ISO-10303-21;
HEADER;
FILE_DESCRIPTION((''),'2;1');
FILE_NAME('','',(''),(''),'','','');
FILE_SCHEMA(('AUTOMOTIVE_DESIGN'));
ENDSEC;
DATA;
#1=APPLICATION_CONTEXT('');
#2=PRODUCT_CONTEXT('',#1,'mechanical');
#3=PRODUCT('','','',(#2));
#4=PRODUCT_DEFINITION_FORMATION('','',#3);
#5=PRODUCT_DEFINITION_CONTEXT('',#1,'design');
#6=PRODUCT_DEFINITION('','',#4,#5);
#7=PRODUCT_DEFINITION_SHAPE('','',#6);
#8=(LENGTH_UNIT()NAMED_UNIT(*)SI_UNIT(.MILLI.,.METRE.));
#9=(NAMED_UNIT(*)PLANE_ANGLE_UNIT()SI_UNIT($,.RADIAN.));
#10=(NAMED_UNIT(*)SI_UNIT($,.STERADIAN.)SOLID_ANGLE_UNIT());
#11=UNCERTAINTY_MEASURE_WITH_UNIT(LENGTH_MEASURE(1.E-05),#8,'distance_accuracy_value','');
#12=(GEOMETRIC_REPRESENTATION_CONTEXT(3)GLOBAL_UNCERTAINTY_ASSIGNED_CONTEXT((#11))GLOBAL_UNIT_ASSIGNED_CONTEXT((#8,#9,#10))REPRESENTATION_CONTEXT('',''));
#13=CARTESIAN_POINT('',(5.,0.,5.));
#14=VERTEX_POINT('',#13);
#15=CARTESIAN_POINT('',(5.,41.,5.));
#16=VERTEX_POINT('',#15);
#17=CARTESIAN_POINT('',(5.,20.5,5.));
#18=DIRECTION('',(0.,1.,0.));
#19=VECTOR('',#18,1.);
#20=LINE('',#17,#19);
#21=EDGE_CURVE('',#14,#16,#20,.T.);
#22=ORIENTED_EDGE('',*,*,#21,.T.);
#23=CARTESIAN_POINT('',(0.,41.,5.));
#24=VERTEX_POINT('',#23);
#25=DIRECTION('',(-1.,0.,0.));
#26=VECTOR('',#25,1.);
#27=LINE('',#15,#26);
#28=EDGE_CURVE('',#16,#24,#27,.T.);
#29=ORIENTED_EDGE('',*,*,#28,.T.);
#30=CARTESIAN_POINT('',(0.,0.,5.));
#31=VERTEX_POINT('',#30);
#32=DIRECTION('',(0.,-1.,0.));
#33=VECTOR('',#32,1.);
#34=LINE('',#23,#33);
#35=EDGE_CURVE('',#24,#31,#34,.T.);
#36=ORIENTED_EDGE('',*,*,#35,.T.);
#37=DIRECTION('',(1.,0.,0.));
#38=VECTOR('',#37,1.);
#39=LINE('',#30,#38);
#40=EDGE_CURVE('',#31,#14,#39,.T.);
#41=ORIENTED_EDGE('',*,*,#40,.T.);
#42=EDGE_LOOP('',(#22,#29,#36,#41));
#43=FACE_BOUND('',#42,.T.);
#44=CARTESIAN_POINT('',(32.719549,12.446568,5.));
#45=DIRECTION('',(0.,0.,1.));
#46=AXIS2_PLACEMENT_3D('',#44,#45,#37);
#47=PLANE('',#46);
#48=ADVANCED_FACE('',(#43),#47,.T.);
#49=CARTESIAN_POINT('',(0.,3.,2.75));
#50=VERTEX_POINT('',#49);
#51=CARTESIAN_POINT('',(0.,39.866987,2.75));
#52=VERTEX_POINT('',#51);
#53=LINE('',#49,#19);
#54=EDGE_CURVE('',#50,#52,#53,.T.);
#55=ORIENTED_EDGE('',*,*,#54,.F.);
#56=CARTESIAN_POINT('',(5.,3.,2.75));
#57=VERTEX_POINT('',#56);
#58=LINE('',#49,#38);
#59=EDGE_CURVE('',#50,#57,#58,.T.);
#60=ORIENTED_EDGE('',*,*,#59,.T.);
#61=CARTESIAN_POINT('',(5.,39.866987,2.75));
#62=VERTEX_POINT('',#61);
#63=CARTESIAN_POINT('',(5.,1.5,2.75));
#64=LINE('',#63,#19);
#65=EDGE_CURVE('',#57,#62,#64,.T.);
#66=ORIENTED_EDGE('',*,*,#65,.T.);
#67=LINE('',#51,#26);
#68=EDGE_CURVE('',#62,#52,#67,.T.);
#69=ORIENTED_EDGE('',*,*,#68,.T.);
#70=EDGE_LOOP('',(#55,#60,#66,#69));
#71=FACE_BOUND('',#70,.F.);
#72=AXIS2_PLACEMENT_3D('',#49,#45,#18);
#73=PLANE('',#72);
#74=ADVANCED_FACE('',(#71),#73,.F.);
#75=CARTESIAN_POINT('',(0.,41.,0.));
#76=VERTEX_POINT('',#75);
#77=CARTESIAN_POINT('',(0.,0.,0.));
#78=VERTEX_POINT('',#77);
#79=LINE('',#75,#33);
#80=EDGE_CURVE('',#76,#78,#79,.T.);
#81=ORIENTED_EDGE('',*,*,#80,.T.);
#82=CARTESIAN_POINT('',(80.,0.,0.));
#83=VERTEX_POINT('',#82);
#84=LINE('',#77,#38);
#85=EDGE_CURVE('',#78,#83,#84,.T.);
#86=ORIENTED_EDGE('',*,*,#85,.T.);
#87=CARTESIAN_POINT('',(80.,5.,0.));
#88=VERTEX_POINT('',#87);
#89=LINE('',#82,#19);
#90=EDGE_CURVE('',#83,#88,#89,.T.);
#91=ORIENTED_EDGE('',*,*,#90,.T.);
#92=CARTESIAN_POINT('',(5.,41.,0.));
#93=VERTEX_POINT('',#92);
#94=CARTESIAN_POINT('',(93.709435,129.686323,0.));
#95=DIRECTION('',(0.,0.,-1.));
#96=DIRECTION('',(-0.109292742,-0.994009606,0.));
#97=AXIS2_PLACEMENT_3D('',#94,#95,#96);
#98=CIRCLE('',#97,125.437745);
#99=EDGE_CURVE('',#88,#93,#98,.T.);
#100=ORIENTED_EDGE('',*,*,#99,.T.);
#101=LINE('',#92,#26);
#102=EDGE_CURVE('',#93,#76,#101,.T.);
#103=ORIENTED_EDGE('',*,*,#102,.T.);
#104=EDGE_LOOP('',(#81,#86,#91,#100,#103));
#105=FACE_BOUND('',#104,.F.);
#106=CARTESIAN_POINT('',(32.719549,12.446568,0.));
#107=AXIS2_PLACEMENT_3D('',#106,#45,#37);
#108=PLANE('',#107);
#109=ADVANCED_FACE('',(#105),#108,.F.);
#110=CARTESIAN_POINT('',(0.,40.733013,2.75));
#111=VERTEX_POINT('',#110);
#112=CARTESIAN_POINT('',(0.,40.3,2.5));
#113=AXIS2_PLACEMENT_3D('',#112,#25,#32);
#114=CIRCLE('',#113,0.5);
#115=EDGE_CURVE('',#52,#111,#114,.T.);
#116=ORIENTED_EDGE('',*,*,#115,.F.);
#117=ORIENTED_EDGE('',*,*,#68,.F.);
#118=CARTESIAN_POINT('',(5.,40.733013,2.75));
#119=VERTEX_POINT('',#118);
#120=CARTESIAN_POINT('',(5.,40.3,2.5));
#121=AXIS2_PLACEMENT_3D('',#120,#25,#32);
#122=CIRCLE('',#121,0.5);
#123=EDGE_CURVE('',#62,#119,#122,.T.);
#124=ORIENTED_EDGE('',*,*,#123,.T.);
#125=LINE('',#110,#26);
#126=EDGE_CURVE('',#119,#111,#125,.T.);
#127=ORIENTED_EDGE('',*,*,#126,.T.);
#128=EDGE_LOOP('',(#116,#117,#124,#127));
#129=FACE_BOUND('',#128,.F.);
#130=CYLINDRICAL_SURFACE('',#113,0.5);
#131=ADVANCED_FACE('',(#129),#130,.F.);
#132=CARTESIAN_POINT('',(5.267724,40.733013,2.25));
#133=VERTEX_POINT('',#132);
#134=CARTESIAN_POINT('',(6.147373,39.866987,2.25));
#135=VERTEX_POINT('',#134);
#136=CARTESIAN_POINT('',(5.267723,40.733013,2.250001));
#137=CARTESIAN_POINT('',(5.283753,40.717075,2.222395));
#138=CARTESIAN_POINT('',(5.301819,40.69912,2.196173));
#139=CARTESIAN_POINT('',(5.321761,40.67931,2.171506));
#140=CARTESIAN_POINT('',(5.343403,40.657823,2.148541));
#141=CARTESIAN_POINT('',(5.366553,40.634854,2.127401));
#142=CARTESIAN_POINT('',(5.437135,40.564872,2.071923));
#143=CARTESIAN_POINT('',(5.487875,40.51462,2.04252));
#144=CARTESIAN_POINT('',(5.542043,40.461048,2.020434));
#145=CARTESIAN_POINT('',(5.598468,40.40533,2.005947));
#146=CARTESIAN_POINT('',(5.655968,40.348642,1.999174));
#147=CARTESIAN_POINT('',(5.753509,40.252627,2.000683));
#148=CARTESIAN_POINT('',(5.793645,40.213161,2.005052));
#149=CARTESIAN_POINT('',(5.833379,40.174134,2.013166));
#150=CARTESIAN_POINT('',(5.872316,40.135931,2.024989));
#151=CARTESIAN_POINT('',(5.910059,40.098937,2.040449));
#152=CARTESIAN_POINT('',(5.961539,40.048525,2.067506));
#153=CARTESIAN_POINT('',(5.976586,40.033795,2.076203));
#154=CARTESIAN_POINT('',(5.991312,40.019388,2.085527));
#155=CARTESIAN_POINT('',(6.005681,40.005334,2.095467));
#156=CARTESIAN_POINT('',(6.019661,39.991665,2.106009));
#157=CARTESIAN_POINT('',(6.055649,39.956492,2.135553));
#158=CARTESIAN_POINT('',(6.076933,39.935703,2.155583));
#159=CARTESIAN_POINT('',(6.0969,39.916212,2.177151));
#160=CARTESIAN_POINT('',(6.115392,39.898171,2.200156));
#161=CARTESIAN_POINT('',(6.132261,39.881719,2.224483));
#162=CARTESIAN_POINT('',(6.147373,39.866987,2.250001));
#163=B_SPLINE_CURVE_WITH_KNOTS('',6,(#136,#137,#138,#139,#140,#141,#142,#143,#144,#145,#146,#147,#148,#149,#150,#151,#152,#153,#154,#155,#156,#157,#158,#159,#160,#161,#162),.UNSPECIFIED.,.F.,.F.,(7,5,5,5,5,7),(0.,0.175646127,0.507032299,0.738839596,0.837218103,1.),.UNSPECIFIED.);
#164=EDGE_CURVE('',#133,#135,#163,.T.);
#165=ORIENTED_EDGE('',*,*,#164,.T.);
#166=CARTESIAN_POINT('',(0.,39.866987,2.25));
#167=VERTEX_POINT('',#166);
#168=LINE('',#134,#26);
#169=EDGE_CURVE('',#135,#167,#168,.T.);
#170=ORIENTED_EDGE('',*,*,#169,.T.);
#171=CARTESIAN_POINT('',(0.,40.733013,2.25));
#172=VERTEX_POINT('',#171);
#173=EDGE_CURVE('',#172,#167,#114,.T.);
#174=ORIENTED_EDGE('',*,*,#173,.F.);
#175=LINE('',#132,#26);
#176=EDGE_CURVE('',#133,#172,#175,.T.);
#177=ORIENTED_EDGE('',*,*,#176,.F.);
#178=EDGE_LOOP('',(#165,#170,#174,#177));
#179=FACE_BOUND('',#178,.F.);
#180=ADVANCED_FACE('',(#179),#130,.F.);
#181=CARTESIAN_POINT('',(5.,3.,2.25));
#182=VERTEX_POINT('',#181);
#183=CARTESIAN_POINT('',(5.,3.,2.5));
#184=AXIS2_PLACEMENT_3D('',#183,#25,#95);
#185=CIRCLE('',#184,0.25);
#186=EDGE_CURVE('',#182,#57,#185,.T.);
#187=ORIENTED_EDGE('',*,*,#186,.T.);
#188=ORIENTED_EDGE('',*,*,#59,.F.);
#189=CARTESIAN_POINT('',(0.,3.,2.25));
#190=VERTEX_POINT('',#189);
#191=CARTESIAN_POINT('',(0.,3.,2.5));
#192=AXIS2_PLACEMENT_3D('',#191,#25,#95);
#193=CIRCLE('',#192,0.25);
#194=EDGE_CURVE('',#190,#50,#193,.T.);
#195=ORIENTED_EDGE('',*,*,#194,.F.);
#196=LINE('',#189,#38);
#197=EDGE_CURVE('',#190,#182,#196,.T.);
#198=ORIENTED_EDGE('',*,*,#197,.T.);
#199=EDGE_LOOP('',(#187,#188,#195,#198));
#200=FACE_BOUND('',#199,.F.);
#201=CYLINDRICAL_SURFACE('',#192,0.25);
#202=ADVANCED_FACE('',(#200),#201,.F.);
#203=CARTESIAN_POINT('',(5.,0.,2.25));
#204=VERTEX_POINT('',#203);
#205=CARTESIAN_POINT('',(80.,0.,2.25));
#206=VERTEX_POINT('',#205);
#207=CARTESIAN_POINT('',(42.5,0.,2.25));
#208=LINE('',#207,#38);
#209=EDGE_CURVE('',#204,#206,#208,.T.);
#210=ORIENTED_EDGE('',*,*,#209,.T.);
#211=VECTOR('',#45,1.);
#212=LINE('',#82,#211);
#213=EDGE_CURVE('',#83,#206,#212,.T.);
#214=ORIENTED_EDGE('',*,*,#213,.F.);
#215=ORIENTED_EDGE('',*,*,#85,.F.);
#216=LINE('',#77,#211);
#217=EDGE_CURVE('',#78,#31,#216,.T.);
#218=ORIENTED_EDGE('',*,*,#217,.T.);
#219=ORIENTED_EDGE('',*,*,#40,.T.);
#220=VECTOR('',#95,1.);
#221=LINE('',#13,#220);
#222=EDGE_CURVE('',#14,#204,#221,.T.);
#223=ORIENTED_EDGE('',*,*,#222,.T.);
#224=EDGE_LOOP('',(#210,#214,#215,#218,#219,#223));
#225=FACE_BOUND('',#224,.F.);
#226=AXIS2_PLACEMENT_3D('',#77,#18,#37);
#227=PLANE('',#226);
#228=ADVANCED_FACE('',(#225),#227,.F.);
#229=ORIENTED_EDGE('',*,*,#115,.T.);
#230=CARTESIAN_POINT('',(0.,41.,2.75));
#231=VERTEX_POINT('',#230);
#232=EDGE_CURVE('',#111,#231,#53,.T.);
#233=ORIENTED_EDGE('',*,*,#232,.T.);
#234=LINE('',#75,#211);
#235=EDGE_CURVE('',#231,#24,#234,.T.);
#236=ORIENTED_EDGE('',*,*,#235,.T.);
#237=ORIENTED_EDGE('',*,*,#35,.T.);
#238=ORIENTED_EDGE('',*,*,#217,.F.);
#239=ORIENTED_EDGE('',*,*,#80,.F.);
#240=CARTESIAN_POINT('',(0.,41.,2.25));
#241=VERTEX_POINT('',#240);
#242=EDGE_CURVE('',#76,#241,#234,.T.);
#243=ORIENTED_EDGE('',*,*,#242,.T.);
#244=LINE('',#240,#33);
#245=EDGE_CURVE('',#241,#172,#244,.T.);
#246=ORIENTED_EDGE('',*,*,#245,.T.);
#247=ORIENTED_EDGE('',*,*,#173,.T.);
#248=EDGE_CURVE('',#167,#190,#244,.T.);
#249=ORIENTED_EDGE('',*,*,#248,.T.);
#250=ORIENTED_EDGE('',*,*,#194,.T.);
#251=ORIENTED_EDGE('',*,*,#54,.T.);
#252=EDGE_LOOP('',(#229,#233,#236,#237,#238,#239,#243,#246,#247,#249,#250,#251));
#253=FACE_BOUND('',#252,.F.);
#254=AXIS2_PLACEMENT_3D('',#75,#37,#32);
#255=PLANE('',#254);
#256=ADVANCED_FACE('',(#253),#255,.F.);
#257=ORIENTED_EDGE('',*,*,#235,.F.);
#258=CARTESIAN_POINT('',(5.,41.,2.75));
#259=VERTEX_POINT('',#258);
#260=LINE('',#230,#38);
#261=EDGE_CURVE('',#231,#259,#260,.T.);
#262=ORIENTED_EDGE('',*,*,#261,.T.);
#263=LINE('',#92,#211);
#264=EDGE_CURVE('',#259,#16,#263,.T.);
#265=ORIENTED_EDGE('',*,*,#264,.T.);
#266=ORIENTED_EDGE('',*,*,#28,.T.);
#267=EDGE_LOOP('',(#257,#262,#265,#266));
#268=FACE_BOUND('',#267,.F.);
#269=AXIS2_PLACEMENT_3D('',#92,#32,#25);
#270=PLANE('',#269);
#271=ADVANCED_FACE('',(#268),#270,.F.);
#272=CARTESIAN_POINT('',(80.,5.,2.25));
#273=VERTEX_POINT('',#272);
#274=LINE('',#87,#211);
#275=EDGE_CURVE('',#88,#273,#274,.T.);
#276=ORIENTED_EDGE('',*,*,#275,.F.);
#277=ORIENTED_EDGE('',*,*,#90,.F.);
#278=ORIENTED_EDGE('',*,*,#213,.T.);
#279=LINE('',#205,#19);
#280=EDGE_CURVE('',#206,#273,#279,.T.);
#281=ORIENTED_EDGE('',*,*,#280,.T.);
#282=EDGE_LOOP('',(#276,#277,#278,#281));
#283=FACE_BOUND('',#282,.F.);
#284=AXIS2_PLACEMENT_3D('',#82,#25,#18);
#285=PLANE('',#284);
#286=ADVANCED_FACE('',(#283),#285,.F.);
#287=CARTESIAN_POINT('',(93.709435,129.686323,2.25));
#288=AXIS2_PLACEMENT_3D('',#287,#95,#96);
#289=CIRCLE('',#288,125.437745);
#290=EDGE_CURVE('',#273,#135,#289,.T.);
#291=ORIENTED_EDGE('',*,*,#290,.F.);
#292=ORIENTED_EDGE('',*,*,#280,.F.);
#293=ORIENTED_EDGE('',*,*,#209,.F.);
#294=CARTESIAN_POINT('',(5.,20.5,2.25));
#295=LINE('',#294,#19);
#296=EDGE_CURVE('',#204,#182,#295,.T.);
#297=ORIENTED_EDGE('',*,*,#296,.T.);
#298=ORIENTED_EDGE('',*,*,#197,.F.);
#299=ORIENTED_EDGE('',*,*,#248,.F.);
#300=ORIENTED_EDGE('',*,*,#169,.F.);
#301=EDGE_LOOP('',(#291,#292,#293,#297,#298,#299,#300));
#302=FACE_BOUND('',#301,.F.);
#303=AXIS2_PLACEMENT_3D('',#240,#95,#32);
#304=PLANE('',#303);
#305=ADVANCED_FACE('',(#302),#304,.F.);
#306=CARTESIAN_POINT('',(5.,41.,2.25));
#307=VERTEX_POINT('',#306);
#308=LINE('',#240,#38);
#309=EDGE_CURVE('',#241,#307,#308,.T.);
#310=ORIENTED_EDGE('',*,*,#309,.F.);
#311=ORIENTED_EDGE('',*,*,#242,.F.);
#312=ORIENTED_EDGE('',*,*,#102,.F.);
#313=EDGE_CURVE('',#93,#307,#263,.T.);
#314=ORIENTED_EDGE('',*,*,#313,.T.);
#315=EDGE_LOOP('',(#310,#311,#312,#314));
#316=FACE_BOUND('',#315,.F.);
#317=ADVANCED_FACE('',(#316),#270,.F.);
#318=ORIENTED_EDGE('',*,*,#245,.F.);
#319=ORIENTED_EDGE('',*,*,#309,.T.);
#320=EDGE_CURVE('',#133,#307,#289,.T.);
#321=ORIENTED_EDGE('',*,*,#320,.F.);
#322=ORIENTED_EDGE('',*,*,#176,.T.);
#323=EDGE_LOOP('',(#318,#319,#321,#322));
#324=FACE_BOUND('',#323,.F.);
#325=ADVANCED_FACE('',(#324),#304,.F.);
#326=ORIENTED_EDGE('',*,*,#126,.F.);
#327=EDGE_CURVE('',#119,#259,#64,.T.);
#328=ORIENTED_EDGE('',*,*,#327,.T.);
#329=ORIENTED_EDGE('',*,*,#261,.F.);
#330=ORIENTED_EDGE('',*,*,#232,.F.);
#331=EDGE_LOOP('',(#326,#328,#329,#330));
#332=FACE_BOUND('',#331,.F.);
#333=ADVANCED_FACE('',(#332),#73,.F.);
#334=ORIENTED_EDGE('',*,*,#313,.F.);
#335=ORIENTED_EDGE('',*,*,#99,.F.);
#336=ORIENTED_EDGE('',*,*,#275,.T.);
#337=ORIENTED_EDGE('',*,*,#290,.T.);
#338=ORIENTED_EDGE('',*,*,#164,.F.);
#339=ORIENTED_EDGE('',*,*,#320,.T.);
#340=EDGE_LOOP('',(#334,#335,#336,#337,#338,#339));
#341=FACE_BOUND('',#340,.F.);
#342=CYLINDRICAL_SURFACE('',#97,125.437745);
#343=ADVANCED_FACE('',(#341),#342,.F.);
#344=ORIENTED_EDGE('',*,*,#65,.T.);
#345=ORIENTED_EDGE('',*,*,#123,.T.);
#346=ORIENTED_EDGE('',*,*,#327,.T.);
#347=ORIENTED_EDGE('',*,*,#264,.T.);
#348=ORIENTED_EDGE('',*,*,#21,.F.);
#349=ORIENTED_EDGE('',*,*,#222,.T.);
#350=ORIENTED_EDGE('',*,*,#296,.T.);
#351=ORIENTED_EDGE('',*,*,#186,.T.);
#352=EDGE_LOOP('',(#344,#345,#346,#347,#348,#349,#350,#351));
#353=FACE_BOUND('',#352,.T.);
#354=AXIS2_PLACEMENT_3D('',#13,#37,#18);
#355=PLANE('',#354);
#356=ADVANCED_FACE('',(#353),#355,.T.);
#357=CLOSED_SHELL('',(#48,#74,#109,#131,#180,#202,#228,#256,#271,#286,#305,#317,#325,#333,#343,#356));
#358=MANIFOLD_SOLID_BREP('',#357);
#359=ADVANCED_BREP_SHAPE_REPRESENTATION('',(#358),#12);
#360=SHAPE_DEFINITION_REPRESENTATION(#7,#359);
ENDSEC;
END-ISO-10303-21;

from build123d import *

# Parameters (mm, degrees)
F1_DEPTH = 5
F3_DEPTH = 1000
F4_R     = 0.5
F5_DEPTH = 25
F6_W     = 75
F6_H     = 41
F7_DEPTH = 2.75


with BuildPart() as f1:
    # F0 (on Top) → F1 (new body)
    with BuildSketch(Plane.XY):
        with BuildLine():
            Line((0, 41), (0, 0))
            Line((0, 0), (80, 0))
            Line((80, 0), (80, 5))
            ThreePointArc((80, 5), (39.428626, 16.601304), (5, 41))
            Line((5, 41), (0, 41))
        make_face()
    extrude(amount=F1_DEPTH)

    # F2 (on face) → F3 (cut)
    with BuildSketch(Plane(origin=(0, 0, 0), x_dir=(0, -1, 0), z_dir=(-1, 0, 0))):
        with BuildLine():
            Line((-41, 2.75), (-41, 2.25))
            Line((-41, 2.25), (-3, 2.25))
            ThreePointArc((-3, 2.25), (-2.75, 2.5), (-3, 2.75))
            Line((-3, 2.75), (-41, 2.75))
        make_face()
    extrude(amount=-F3_DEPTH, mode=Mode.SUBTRACT)

    # F4 (on face) → F5 (cut)
    with BuildSketch(Plane(origin=(0, 0, 0), x_dir=(0, -1, 0), z_dir=(-1, 0, 0))):
        with Locations((-40.3, 2.5)):
            Circle(F4_R)
    extrude(amount=-F5_DEPTH, mode=Mode.SUBTRACT)

    # F6 (on face) → F7 (cut)
    with BuildSketch(Plane.XY.offset(5)):
        with Locations((42.5, 20.5)):
            Rectangle(F6_W, F6_H)
    extrude(amount=-F7_DEPTH, mode=Mode.SUBTRACT)


solid = f1.part
